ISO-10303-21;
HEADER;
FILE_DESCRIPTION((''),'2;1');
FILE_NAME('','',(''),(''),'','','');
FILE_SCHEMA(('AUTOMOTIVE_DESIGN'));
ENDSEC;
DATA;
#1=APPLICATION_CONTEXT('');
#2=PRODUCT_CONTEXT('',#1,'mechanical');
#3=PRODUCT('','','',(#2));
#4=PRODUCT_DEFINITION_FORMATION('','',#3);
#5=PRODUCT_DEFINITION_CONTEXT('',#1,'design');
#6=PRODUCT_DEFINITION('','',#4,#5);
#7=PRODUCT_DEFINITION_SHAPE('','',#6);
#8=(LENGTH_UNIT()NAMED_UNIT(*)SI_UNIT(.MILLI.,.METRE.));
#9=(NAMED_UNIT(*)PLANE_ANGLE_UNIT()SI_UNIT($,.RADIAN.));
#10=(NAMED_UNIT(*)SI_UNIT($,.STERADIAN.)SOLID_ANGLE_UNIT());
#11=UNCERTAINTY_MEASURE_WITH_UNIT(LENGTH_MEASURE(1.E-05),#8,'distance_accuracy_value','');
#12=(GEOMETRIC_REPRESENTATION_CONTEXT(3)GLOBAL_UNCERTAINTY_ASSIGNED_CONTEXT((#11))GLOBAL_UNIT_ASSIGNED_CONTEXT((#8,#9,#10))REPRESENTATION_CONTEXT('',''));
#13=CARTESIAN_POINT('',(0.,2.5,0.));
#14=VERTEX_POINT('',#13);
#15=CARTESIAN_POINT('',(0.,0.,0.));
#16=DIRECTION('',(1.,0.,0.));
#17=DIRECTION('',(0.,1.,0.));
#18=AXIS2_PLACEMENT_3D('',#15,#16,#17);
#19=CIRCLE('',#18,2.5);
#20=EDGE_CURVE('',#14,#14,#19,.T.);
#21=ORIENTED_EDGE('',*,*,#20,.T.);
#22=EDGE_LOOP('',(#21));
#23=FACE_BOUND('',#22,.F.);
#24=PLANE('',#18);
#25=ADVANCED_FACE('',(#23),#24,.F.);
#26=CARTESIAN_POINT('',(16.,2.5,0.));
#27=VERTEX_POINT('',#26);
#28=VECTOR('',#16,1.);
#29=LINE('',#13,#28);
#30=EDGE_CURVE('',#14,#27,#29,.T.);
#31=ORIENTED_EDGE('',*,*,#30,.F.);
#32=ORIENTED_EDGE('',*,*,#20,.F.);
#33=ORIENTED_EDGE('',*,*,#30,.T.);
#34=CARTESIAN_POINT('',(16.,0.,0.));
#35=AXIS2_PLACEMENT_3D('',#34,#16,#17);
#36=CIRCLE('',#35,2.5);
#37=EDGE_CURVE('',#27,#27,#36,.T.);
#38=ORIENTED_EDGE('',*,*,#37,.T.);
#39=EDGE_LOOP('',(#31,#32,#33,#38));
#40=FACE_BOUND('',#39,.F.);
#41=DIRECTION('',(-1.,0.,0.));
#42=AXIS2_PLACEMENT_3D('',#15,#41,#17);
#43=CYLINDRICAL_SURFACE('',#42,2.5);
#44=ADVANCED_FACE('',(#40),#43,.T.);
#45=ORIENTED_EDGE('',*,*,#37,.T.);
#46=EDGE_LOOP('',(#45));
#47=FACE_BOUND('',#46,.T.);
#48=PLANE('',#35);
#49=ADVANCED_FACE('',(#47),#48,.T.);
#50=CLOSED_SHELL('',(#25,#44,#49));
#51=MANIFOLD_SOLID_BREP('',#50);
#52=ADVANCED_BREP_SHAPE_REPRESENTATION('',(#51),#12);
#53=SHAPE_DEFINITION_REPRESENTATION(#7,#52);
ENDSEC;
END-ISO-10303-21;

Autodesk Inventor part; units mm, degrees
ref_plane "YZ Plane" through (0, 0, 0) normal (1, 0, 0) x (0, 1, 0)
ref_plane "XZ Plane" through (0, 0, 0) normal (0, 1, 0) x (-1, 0, 0)
ref_plane "XY Plane" through (0, 0, 0) normal (0, 0, 1) x (1, 0, 0)
sketch "Sketch1" plane through (0, 0, 0) normal (1, 0, 0) x (0, 1, 0)
  circle A0 centre (0, 0) radius 2.5
  dimension "d0" = 5
extrude "Extrusion1" add sketch "Sketch1" along normal blind 16
thread "Thread1" size "3/8-32 UNEF" class "2A" standard "ANSI Unified Screw Threads" full length
properties part number "Forefingers Rod"
